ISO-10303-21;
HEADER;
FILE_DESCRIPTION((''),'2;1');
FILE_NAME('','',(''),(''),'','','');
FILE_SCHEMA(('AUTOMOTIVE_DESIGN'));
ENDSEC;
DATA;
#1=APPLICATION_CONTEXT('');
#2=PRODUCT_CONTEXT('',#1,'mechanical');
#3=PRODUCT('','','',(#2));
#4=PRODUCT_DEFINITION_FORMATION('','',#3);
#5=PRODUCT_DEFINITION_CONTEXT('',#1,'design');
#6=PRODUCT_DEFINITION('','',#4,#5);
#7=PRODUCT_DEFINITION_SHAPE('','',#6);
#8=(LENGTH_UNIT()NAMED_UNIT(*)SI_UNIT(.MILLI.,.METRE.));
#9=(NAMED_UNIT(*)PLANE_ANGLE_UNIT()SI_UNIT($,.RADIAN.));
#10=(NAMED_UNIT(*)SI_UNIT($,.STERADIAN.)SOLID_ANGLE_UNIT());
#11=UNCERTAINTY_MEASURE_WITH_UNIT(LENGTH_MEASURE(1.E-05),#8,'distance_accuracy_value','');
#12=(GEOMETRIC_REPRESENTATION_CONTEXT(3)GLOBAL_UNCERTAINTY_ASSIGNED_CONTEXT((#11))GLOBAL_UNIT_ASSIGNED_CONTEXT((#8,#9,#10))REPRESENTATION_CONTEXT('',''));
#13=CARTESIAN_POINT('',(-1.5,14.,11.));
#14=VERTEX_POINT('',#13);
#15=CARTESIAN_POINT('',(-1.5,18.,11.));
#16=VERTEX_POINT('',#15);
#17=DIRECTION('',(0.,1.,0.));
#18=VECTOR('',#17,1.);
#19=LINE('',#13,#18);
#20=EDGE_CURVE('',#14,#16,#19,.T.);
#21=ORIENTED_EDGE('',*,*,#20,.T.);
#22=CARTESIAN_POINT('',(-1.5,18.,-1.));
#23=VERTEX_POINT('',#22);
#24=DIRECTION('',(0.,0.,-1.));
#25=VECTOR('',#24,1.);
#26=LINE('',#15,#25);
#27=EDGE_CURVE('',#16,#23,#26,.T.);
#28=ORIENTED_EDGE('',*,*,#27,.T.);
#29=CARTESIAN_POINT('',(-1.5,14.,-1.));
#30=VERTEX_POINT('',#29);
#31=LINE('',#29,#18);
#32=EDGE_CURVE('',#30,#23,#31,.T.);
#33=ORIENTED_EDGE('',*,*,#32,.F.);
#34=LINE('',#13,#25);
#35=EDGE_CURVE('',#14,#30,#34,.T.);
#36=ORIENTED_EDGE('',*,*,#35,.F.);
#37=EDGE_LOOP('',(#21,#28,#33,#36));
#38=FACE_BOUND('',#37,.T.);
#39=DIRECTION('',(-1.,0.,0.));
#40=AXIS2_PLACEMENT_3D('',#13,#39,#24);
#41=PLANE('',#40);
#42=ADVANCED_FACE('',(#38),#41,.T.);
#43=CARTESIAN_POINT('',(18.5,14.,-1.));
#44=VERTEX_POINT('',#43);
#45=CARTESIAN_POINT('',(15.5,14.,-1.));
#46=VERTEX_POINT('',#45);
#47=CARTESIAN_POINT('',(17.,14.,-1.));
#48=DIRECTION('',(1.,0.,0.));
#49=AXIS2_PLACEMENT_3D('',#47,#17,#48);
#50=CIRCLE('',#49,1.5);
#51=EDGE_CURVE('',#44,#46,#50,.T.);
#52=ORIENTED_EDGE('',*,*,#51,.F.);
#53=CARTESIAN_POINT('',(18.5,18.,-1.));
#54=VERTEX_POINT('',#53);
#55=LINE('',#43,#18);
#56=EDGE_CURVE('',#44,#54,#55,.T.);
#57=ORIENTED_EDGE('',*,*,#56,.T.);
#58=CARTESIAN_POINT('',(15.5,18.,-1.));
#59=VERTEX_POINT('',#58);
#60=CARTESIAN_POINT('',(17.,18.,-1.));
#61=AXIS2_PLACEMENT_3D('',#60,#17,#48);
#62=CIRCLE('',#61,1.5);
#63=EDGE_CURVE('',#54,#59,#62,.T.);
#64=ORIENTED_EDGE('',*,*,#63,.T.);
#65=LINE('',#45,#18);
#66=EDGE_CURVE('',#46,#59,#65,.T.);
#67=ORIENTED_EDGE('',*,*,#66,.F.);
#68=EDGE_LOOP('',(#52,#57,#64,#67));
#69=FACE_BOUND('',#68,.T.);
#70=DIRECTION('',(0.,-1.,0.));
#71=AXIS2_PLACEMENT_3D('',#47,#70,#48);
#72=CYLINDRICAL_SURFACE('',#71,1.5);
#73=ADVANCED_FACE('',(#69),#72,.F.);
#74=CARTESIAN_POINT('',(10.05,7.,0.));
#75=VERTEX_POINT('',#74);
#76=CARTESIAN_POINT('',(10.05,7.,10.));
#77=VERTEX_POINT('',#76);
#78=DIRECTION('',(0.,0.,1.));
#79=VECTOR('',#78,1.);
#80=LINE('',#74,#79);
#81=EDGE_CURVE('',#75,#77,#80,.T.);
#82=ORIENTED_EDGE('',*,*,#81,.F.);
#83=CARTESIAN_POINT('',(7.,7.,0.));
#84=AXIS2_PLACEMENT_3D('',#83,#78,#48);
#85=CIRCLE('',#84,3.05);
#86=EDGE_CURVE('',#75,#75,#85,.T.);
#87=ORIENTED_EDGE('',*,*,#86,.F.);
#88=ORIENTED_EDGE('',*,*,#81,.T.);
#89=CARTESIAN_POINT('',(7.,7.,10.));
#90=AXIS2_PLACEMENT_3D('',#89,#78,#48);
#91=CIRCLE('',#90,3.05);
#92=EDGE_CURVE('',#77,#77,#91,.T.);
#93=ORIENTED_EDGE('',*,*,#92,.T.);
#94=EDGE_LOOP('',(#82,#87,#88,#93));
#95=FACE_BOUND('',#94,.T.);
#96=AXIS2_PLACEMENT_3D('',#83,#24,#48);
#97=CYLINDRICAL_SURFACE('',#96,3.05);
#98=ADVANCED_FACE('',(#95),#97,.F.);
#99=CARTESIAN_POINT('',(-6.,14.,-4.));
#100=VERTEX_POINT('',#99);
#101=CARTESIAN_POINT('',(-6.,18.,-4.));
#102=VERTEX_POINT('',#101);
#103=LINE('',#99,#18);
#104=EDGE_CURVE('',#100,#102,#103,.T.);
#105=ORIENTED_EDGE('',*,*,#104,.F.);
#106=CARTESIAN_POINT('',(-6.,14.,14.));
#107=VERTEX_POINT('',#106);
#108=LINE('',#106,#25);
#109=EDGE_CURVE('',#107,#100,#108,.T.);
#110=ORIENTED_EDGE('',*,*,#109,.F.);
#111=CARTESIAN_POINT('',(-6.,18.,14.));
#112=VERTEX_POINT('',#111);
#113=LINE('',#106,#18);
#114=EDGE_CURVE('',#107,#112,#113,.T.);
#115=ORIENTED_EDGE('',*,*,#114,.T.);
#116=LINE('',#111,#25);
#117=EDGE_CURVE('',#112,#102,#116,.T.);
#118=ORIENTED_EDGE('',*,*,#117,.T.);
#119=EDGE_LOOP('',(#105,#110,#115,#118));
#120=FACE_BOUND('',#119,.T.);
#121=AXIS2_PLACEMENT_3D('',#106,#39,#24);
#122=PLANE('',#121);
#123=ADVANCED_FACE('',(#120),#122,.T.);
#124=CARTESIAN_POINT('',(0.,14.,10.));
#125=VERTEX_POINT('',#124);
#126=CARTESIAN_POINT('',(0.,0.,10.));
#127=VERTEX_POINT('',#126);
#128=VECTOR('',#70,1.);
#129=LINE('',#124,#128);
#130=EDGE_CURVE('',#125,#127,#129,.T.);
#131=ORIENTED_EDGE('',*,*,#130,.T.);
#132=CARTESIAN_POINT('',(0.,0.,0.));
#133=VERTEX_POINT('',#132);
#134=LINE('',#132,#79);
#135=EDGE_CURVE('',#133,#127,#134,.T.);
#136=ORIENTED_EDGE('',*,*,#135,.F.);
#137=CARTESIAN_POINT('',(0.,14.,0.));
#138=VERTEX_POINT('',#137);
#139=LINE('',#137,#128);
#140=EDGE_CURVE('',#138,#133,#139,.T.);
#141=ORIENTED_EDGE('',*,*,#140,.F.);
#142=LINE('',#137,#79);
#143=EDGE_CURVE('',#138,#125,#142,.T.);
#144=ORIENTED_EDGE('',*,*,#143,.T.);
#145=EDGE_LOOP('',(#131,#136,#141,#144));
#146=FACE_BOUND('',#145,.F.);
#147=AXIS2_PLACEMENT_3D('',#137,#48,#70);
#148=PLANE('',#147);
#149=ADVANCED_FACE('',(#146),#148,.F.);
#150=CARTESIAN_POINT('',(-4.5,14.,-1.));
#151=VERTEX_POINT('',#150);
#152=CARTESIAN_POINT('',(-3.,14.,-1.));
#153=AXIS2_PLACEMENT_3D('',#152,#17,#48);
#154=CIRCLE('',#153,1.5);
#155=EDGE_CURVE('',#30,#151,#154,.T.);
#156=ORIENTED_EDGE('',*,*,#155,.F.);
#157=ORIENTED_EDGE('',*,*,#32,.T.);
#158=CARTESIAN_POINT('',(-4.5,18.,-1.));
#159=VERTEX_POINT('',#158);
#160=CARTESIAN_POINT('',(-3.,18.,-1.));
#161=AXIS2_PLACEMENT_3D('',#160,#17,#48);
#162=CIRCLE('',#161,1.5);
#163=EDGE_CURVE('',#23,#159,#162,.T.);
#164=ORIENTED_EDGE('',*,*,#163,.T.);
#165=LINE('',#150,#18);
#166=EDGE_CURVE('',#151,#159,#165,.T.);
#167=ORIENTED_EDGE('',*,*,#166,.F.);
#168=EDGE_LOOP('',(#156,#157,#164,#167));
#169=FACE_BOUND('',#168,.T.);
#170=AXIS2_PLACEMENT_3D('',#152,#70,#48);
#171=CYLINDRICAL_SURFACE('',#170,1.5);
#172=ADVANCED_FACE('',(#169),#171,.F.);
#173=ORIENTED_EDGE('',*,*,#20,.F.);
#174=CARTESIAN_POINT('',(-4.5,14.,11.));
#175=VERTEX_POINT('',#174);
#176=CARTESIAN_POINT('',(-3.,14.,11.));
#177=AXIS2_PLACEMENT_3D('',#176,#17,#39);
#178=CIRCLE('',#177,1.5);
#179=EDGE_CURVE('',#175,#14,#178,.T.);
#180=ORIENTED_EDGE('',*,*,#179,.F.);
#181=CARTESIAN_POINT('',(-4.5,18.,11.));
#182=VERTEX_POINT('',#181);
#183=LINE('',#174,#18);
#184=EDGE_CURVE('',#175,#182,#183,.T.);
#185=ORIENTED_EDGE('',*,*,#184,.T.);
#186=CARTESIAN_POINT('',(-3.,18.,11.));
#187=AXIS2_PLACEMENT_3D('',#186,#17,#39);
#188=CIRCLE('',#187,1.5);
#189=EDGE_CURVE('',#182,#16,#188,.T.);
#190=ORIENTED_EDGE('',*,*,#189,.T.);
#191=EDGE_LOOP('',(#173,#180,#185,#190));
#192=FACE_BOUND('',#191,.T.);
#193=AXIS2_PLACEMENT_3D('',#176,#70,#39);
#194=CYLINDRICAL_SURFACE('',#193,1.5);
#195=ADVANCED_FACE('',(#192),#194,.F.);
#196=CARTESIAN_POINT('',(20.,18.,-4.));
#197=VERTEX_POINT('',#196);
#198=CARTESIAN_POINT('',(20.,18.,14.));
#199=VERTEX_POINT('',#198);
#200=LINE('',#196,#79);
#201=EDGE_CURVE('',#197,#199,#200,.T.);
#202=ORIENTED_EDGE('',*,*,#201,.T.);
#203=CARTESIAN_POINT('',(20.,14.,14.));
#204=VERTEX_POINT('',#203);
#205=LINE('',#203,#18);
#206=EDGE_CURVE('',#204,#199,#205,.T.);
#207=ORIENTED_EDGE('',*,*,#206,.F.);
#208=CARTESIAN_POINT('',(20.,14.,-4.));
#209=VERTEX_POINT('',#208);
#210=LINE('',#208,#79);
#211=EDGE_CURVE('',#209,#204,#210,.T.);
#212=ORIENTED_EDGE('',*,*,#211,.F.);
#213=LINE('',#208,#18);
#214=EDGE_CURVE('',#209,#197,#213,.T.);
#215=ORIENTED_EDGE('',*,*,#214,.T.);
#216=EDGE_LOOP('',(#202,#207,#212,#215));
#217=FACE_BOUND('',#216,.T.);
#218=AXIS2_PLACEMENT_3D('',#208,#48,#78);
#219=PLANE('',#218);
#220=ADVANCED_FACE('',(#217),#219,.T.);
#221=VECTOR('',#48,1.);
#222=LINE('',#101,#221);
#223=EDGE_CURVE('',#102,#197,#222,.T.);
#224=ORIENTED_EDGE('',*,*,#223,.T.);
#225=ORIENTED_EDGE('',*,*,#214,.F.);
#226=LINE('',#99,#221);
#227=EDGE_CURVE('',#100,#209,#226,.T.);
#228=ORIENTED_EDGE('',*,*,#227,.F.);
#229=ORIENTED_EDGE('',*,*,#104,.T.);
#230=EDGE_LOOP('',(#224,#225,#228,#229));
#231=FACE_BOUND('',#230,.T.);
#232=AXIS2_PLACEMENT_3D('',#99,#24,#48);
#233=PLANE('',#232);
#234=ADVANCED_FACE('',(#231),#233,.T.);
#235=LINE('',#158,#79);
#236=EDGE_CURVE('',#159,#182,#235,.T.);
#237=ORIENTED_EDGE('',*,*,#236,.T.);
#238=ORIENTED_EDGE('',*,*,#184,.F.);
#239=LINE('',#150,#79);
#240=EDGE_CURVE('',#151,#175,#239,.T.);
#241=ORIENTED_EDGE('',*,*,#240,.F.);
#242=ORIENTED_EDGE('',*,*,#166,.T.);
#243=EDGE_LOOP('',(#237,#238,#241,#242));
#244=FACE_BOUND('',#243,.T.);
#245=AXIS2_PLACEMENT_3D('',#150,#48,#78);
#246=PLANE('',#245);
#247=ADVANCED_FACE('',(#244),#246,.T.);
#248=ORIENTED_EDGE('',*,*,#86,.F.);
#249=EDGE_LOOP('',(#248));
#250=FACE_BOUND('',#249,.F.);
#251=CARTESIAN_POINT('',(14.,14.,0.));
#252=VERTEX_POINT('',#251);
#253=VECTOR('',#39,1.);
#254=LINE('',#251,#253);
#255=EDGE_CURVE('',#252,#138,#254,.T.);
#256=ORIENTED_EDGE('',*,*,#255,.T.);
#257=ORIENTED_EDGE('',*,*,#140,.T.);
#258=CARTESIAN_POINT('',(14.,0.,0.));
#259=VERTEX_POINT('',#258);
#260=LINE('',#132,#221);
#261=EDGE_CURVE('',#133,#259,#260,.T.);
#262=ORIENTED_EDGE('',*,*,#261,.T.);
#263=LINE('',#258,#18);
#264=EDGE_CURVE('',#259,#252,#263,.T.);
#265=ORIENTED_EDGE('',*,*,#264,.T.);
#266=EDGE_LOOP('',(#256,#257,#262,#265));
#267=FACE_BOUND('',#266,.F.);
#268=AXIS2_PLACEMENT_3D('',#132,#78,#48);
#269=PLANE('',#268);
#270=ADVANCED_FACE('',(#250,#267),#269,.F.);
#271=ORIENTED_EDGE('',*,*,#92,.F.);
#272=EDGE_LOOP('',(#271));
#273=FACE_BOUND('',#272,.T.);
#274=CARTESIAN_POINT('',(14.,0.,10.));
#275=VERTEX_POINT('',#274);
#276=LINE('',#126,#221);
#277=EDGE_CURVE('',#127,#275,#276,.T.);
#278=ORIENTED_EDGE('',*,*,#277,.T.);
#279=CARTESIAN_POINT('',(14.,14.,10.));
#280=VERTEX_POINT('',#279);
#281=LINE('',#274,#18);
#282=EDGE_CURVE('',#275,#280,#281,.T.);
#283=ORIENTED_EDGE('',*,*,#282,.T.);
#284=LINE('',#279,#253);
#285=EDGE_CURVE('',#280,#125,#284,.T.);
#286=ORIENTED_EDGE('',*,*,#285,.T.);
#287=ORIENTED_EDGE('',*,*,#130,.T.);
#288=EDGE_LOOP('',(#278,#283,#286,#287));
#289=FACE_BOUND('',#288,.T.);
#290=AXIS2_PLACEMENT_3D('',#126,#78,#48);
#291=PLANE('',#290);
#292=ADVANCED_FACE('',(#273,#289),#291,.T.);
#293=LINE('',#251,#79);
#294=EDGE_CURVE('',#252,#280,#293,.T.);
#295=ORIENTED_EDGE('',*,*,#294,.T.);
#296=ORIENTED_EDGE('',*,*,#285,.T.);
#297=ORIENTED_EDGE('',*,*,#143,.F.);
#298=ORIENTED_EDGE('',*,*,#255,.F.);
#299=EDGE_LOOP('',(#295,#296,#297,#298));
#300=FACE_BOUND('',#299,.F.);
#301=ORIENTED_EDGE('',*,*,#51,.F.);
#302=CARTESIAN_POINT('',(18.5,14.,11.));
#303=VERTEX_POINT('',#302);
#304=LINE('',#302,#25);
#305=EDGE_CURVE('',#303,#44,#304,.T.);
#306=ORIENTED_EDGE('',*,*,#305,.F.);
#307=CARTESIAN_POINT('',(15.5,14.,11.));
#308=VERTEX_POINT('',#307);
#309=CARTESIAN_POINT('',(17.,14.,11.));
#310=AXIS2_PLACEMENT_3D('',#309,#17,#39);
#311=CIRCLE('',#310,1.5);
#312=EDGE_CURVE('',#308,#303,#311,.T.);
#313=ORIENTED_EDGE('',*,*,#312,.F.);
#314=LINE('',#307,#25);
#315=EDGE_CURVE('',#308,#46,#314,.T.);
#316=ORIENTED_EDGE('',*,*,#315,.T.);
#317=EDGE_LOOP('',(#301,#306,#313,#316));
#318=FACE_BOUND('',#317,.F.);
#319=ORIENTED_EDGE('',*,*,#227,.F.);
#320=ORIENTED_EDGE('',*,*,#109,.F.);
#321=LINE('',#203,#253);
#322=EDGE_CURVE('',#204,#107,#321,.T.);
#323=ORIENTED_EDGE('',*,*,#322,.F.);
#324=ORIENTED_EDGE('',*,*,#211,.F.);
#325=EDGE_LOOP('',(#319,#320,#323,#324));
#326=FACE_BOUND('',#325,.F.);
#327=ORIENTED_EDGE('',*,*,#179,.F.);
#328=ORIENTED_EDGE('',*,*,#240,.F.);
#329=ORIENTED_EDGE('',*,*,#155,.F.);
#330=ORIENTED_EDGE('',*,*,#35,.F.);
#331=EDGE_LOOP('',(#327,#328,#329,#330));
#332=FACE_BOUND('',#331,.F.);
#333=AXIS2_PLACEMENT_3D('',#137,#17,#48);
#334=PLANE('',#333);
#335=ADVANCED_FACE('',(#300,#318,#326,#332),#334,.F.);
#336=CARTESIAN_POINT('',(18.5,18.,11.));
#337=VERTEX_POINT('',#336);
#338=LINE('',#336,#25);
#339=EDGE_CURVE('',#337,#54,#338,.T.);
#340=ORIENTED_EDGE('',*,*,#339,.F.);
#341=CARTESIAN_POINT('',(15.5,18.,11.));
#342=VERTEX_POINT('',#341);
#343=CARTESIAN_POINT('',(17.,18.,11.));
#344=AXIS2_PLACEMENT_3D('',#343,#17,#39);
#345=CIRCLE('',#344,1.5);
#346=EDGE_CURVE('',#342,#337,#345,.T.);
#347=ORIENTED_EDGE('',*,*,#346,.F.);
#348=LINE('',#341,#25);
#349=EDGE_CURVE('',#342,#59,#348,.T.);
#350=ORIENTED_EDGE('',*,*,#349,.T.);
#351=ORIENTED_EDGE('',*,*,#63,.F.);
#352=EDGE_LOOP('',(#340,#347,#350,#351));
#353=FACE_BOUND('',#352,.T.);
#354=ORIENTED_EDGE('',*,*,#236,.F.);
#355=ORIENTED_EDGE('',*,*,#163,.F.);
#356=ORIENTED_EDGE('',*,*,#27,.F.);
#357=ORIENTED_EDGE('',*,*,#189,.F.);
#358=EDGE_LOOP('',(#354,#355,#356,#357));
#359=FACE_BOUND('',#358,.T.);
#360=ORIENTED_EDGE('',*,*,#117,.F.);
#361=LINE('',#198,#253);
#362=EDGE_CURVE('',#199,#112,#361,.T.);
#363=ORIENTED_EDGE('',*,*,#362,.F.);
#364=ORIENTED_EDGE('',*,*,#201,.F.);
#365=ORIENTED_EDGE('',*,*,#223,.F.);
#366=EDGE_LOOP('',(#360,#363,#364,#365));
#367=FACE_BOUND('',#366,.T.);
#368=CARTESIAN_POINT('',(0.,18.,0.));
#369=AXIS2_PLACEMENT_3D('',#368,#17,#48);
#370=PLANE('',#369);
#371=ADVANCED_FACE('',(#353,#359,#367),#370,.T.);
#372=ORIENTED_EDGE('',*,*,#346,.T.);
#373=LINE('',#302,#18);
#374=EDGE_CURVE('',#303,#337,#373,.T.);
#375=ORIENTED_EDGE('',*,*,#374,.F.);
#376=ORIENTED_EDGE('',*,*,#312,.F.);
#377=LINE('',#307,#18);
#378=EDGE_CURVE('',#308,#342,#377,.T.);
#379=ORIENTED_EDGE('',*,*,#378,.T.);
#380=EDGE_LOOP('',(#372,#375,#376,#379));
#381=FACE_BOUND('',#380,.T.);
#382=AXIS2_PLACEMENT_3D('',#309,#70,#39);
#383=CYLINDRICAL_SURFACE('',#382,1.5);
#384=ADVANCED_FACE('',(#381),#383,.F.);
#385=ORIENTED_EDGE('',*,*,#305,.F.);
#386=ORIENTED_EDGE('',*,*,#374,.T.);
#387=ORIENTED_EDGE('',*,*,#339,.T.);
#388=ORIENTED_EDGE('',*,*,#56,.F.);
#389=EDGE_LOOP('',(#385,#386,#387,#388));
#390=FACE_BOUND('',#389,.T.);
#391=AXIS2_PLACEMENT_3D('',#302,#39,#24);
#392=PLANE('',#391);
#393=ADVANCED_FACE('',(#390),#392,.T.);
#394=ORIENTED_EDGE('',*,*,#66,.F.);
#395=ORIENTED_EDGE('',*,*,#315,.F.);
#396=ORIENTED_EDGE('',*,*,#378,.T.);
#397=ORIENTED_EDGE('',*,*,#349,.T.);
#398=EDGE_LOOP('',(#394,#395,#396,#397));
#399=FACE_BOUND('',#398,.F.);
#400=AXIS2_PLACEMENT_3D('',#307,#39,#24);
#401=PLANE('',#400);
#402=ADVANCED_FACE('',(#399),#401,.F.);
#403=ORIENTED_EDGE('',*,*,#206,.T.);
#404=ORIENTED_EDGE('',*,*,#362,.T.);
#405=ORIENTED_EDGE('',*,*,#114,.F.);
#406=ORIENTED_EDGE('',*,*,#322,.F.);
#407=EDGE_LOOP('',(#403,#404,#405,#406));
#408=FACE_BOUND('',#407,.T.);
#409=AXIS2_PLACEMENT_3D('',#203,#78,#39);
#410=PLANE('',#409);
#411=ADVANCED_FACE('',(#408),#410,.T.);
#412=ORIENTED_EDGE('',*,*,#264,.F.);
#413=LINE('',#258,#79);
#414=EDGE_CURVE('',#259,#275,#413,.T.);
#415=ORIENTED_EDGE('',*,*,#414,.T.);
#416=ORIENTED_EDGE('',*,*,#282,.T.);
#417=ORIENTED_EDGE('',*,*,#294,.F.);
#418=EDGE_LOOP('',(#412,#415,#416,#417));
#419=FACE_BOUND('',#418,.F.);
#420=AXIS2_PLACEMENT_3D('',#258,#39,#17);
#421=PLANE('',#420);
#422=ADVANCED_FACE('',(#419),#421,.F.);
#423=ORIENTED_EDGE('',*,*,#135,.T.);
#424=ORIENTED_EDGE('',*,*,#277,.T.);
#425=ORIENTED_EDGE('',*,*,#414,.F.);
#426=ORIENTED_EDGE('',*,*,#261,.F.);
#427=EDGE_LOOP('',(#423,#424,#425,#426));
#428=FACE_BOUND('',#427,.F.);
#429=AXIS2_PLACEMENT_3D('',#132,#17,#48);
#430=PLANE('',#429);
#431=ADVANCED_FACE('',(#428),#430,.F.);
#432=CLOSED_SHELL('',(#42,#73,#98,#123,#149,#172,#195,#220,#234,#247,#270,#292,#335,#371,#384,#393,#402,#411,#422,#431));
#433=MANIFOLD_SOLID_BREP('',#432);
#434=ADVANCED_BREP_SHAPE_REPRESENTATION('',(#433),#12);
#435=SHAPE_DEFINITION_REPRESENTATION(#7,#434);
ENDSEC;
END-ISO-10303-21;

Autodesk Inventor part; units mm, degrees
ref_plane "YZ Plane" through (0, 0, 0) normal (1, 0, 0) x (0, 1, 0)
ref_plane "XZ Plane" through (0, 0, 0) normal (0, 1, 0) x (-1, 0, 0)
ref_plane "XY Plane" through (0, 0, 0) normal (0, 0, 1) x (1, 0, 0)
sketch "Skizze1" plane through (0, 0, 0) normal (0, 0, 1) x (1, 0, 0)
  line L0 (0, 0) -> (14, 0)
  line L1 (14, 0) -> (14, 14)
  line L2 (14, 14) -> (0, 14)
  line L3 (0, 14) -> (0, 0)
  circle A0 centre (7, 7) radius 3.05
  dimension "d0" = 14
  dimension "d1" = 14
  dimension "d2" = 6.1
  dimension "d3" = 7
  dimension "d4" = 7
extrude "Extrusion1" add sketch "Skizze1" along normal blind 10
sketch "Skizze2" plane through (0, 14, 0) normal (0, 1, 0) x (1, 0, 0)
  line L0 (-6, 4) -> (20, 4)
  line L1 (20, 4) -> (20, -14)
  line L2 (20, -14) -> (-6, -14)
  line L3 (-6, -14) -> (-6, 4)
  line L4 (14, 0) -> (0, 0) projected
  line L5 (0, 0) -> (0, -10) projected
  line L6 (14, -10) -> (0, -10) projected
  line L7 (14, 0) -> (14, -10) projected
  arc A0 (-1.5, 1) -> (-4.5, 1) centre (-3, 1) ccw
  arc A1 (-4.5, -11) -> (-1.5, -11) centre (-3, -11) ccw
  arc A2 (18.5, 1) -> (15.5, 1) centre (17, 1) ccw
  arc A3 (15.5, -11) -> (18.5, -11) centre (17, -11) ccw
  line L8 (-4.5, 1) -> (-4.5, -11)
  line L9 (-1.5, -11) -> (-1.5, 1)
  line L10 (15.5, -11) -> (15.5, 1)
  line L11 (18.5, -11) -> (18.5, 1)
  point P0 (0, 0)
  dimension "d7" = 6
  dimension "d8" = 6
  dimension "d9" = 4
  dimension "d10" = 4
  dimension "d11" = 3
  dimension "d12" = 3
  dimension "d13" = 3
  dimension "d14" = 3
  dimension "d15" = 3
  dimension "d16" = 3
  dimension "d17" = 3
  dimension "d18" = 3
  dimension "d19" = 3
  dimension "d20" = 3
  dimension "d21" = 3
  dimension "d22" = 3
extrude "Extrusion2" add sketch "Skizze2" along normal blind 4 contours L0 L1 L2 L3 | L7 L6 L5 L4
properties part number "Stehlager 6mm"
